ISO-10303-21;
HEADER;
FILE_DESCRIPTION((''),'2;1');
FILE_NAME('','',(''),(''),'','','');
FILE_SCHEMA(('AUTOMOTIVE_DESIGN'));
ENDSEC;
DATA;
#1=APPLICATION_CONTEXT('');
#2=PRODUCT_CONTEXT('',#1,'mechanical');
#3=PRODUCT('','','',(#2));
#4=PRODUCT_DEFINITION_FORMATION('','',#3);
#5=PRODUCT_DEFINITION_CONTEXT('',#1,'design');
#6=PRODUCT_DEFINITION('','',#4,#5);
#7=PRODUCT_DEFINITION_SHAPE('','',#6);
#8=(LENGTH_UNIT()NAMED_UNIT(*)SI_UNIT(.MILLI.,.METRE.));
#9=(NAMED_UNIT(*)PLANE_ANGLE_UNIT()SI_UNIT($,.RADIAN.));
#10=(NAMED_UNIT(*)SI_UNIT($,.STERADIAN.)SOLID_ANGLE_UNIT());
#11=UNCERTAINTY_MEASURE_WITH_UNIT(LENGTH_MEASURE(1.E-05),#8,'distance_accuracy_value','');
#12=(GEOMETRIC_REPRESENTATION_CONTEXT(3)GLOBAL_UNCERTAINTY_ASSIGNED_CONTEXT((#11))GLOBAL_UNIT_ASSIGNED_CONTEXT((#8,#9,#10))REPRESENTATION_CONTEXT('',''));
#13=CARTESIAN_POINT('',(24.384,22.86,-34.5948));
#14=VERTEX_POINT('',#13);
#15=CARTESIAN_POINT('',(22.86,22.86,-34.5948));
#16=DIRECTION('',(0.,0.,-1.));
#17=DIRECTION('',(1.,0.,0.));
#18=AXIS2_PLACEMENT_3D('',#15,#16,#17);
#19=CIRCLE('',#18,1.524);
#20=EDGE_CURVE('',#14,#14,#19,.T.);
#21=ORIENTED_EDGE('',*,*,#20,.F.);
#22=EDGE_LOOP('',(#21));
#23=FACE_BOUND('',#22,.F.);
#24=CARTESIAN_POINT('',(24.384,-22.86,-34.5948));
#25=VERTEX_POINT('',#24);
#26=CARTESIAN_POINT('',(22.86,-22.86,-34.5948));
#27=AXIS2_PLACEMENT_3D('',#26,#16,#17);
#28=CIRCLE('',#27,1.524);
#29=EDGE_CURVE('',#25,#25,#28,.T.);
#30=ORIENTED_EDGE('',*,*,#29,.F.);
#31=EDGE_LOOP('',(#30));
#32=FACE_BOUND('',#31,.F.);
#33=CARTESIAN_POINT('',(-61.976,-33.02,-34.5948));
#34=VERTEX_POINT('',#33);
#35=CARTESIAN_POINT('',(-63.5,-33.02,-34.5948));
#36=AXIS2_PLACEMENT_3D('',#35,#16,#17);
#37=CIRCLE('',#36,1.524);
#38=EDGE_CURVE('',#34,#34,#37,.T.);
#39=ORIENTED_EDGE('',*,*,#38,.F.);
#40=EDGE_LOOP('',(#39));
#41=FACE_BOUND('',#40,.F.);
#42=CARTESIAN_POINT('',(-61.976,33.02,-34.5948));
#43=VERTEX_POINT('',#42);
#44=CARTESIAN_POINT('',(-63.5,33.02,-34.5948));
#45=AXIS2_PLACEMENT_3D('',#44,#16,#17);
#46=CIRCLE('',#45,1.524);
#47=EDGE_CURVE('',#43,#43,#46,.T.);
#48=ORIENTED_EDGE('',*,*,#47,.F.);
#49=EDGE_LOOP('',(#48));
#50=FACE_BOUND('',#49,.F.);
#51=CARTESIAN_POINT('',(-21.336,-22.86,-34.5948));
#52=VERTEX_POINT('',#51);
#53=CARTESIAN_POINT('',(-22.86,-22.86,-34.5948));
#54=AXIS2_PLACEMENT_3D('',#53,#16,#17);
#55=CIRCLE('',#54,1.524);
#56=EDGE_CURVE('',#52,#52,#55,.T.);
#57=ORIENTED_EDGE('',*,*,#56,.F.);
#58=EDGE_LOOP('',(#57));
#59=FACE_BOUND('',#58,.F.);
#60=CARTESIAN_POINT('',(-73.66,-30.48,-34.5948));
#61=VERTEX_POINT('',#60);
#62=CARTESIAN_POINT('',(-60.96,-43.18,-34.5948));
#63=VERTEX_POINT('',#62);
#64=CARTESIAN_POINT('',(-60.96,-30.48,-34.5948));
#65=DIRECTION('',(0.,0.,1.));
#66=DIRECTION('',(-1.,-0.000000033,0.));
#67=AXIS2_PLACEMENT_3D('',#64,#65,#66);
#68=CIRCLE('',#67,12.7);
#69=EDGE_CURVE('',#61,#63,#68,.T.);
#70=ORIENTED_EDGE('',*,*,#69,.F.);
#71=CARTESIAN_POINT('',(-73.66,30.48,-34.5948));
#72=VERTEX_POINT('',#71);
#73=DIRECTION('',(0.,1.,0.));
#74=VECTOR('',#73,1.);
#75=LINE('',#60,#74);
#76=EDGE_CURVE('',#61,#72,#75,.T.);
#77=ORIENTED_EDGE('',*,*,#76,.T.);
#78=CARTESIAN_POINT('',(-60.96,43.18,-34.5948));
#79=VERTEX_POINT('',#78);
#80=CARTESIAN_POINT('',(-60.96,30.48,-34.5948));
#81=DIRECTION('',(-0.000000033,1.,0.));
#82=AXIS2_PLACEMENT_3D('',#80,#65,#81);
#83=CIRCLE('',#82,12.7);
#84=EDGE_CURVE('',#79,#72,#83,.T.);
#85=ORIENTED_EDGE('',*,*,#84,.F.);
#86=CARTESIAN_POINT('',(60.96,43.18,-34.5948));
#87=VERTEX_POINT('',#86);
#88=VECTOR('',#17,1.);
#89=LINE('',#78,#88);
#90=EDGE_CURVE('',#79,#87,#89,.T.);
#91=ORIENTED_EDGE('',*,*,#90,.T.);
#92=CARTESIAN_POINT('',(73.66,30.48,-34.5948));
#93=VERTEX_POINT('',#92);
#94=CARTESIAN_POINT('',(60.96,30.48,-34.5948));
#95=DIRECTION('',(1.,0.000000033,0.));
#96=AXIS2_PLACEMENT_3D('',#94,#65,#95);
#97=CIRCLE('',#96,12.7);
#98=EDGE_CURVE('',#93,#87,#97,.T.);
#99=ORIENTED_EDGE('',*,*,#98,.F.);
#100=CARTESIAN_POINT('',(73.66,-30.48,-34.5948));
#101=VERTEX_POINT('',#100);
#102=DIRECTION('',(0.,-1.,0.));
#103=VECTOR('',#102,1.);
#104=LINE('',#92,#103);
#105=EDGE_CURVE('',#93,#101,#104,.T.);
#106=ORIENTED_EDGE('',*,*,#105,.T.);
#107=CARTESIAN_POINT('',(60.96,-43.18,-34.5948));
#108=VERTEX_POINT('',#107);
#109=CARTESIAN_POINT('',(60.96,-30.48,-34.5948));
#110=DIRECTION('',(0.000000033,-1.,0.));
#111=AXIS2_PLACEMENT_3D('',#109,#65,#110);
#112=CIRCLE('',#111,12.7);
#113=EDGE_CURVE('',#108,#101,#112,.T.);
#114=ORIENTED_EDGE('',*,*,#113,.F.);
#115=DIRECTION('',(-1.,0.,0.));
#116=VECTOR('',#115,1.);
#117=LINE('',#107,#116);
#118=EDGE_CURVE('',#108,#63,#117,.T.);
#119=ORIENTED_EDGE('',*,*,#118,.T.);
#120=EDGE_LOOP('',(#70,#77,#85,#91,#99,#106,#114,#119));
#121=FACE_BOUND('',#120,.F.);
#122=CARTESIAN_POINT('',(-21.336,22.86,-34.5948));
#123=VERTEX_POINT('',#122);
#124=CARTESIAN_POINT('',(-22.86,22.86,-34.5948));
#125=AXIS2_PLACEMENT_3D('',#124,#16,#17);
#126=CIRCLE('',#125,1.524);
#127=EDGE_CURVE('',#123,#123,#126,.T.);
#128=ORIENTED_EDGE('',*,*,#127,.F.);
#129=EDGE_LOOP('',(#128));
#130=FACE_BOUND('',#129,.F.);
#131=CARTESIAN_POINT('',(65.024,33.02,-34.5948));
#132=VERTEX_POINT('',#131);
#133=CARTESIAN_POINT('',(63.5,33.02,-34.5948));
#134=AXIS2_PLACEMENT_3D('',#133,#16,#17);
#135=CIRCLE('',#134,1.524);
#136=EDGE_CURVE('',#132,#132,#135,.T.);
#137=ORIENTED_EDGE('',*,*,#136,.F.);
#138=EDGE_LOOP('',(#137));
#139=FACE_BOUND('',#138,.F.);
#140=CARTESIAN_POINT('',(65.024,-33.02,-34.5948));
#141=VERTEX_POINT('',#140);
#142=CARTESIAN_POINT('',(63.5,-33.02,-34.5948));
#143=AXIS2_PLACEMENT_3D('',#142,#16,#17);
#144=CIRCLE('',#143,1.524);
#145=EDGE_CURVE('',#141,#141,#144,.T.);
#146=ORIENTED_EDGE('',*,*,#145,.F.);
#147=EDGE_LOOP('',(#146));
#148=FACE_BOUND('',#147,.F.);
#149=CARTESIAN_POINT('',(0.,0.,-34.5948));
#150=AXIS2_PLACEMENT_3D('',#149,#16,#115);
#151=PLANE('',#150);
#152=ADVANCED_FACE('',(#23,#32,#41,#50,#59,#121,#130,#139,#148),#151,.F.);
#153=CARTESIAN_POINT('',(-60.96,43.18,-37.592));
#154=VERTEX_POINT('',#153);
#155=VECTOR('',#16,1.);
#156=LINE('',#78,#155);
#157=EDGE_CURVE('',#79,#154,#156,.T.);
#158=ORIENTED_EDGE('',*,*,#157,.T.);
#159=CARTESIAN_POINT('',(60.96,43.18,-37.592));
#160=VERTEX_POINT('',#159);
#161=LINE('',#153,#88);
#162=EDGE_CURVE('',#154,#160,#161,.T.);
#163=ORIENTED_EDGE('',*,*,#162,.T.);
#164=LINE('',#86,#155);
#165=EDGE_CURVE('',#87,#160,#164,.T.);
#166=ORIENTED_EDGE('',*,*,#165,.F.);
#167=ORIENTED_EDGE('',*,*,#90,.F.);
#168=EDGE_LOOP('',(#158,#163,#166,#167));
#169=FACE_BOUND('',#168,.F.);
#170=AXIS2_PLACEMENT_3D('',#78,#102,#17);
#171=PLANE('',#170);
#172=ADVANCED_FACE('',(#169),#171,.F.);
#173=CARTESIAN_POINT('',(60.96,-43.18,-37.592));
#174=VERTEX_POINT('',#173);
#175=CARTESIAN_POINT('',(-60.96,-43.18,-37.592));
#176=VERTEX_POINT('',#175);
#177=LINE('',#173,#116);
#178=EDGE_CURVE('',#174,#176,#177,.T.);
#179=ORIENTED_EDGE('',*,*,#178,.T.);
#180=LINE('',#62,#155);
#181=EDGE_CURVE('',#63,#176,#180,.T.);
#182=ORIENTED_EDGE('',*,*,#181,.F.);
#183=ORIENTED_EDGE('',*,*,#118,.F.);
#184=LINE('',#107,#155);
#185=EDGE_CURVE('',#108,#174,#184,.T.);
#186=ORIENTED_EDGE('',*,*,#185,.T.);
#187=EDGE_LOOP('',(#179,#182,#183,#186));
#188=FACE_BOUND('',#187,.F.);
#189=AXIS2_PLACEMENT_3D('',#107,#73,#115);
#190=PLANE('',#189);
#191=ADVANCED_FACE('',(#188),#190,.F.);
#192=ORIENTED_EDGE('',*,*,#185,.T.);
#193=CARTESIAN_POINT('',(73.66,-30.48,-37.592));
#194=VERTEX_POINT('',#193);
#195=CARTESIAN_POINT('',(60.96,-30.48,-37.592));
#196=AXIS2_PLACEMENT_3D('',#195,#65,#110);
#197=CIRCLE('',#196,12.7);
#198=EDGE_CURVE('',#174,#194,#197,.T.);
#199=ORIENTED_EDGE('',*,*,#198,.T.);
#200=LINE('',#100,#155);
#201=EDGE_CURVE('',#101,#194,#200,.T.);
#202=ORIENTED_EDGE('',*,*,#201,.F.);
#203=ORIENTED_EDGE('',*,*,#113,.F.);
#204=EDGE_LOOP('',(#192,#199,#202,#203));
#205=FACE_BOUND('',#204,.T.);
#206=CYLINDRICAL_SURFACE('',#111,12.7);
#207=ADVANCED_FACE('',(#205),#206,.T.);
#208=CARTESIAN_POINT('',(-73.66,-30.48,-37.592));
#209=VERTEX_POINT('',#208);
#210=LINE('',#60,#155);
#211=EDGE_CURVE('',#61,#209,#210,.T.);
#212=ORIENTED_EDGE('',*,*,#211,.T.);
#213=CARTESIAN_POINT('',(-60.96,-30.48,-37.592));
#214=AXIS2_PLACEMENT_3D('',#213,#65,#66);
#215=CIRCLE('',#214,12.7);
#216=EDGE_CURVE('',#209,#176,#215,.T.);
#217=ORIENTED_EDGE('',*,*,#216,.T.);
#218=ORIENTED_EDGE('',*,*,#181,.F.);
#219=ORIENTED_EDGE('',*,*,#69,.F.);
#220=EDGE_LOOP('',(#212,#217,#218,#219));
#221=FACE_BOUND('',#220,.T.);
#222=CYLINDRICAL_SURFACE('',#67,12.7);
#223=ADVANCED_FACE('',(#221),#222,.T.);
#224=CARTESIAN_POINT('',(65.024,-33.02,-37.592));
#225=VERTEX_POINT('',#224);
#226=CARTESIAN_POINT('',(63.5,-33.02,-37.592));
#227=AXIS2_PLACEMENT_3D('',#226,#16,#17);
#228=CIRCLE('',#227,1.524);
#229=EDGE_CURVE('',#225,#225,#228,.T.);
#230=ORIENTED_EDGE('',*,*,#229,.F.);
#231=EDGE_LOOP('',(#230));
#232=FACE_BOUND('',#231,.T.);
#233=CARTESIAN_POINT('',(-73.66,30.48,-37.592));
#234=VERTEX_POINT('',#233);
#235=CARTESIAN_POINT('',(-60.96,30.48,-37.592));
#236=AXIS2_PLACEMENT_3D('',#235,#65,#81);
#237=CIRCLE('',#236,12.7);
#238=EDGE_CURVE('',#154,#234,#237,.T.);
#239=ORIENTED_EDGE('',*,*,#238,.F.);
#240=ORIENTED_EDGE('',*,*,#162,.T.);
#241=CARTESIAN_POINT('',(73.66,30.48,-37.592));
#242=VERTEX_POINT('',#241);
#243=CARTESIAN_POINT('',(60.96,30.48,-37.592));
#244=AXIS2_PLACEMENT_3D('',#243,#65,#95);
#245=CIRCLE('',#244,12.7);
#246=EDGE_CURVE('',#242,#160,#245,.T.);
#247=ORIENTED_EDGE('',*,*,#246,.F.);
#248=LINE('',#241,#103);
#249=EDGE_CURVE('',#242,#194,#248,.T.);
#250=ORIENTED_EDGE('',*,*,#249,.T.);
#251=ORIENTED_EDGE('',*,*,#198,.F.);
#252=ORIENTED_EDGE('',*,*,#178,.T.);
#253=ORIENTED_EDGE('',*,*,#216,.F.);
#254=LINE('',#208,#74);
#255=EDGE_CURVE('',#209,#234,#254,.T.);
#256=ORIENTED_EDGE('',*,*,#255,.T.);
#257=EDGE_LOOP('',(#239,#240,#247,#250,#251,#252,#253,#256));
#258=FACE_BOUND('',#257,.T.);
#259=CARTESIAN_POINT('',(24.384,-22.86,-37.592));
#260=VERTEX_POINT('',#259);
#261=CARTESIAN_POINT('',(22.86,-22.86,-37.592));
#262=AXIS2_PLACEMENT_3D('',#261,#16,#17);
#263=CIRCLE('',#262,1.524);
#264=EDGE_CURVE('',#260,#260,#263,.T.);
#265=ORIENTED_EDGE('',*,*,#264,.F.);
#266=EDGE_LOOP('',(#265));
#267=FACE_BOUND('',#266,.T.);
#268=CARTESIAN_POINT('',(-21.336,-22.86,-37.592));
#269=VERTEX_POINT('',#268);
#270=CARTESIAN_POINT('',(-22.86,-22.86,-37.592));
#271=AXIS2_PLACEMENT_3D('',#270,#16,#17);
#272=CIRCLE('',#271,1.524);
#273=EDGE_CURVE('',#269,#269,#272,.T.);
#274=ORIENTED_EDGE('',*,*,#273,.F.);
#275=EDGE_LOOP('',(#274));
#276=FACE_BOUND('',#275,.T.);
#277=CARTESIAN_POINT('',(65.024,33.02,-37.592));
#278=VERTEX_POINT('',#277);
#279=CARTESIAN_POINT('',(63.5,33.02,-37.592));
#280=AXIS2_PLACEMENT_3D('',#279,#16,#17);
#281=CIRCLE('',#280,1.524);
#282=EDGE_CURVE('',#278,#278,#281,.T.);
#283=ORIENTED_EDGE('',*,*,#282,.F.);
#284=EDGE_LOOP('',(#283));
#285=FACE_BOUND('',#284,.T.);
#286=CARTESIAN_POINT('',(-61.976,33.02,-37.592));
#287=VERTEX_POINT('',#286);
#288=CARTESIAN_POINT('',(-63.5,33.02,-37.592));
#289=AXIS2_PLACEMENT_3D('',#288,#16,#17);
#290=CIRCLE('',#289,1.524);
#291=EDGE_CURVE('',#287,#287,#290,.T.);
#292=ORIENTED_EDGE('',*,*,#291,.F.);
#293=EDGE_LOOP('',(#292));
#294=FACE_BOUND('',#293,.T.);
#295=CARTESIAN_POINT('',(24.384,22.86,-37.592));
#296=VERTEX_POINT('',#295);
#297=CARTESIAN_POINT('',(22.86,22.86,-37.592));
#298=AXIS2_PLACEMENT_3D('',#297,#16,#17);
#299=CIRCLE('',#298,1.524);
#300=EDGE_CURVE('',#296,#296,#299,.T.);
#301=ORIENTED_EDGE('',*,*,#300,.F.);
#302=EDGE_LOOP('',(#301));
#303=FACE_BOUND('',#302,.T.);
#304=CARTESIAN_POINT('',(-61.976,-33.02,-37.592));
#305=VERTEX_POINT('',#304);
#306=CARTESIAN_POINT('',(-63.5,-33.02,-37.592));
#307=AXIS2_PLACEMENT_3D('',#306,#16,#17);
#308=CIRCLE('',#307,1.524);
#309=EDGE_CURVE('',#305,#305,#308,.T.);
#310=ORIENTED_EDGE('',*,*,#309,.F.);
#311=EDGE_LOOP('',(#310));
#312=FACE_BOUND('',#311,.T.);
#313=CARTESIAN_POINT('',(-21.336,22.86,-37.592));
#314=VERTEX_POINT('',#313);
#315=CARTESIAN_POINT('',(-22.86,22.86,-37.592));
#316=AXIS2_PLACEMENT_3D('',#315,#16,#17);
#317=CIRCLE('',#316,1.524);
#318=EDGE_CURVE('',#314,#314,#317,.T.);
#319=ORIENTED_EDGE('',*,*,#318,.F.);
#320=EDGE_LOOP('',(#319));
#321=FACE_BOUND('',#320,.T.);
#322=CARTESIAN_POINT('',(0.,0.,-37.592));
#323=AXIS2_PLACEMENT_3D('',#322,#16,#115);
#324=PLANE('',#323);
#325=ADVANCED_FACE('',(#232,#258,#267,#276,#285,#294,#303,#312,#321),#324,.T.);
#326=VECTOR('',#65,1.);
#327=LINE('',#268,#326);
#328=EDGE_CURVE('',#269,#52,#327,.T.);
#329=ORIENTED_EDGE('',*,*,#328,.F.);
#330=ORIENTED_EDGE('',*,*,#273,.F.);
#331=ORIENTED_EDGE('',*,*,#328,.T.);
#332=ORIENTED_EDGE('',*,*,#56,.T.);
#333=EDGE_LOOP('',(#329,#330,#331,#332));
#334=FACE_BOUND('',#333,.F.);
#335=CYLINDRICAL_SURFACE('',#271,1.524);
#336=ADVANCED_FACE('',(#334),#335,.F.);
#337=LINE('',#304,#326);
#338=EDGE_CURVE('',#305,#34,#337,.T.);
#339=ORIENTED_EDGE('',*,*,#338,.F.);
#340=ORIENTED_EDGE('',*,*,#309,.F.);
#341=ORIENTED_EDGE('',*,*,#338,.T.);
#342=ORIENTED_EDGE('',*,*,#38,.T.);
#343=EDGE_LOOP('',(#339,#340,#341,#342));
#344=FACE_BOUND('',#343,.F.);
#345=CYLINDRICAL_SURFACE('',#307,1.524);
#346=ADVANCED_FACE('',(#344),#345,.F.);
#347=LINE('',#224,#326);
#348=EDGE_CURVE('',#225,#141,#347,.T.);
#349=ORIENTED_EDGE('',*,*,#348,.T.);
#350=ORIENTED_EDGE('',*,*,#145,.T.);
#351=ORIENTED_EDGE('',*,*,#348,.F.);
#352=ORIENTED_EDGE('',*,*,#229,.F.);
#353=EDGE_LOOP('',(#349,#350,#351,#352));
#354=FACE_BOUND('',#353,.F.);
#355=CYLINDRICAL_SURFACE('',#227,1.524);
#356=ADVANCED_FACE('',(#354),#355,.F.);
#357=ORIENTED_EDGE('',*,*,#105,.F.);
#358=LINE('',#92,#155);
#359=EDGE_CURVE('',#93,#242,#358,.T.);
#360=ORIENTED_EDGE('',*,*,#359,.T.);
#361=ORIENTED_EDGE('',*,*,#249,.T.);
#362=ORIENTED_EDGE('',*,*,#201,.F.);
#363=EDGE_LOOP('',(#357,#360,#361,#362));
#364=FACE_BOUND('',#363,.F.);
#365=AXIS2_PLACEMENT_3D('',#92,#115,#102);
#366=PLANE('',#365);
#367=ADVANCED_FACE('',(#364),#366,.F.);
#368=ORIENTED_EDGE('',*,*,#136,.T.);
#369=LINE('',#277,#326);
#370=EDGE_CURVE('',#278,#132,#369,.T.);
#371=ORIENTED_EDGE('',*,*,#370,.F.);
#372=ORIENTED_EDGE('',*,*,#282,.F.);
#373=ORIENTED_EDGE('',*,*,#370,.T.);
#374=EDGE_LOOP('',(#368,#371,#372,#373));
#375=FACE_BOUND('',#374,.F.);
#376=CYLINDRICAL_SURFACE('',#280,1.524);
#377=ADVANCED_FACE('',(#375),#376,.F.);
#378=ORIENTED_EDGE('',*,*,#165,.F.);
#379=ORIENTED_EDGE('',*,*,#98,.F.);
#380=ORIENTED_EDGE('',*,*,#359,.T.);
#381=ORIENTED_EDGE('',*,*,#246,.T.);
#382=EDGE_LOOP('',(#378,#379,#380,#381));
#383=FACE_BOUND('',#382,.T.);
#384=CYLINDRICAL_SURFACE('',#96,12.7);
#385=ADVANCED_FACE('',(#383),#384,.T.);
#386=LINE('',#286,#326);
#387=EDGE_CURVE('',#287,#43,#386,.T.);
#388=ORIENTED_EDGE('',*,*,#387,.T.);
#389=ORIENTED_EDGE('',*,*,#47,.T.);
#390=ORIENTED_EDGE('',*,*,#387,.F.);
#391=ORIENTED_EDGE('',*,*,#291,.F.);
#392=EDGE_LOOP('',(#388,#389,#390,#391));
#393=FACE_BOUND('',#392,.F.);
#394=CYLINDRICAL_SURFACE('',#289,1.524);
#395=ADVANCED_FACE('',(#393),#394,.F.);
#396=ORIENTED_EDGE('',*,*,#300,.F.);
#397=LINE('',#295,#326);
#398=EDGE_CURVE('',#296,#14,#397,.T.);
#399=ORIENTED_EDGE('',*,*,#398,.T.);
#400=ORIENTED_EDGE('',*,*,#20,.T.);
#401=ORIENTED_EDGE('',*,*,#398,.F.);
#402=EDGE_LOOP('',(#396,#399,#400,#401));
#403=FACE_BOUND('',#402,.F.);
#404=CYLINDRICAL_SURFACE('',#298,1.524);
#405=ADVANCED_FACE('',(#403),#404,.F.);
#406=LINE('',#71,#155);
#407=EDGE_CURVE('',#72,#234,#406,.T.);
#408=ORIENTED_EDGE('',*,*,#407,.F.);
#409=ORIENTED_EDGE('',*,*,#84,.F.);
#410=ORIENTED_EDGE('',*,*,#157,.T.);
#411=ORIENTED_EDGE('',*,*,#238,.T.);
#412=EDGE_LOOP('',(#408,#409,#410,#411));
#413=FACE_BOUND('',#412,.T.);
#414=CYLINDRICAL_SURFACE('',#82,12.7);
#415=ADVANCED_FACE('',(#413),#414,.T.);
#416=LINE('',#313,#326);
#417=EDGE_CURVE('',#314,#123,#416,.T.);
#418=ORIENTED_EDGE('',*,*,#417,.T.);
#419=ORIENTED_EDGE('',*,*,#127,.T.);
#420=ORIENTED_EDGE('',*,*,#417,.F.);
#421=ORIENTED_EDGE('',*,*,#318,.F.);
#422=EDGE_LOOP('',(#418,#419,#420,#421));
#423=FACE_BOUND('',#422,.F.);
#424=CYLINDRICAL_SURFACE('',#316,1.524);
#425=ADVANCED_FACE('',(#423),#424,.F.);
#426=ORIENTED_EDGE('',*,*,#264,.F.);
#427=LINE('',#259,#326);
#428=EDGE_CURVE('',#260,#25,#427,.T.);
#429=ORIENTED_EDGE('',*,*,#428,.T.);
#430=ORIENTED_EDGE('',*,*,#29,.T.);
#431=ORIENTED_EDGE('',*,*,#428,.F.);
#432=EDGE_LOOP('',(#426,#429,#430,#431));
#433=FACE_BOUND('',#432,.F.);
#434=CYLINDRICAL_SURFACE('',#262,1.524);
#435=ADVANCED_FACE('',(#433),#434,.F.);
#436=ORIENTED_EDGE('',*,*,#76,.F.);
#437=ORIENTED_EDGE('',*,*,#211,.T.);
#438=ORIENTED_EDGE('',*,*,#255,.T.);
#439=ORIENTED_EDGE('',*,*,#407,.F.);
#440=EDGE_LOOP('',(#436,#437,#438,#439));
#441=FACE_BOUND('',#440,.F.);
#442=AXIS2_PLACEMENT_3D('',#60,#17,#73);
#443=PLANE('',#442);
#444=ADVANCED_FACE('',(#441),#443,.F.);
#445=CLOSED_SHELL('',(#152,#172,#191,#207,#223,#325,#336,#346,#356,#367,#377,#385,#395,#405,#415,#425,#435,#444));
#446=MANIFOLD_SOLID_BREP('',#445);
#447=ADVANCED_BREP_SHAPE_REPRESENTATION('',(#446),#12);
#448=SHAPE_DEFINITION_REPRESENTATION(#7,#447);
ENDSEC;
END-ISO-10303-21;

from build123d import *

# Parameters (mm, degrees)
PAD015_DEPTH    = 2.9972
SKETCH022_R     = 1.524
POCKET002_DEPTH = 2.9972
SKETCH023_R     = 1.524
POCKET003_DEPTH = 2.9972


with BuildPart() as part:
    # Sketch018 → Pad015 (new body)
    with BuildSketch(Plane.XY.offset(-34.5948)):
        with BuildLine():
            Line((-60.96, 43.18), (60.96, 43.18))
            ThreePointArc((73.66, 30.48), (69.940256, 39.460256), (60.96, 43.18))
            Line((73.66, 30.48), (73.66, -30.48))
            ThreePointArc((60.96, -43.18), (69.940256, -39.460256), (73.66, -30.48))
            Line((60.96, -43.18), (-60.96, -43.18))
            ThreePointArc((-73.66, -30.48), (-69.940256, -39.460256), (-60.96, -43.18))
            Line((-73.66, -30.48), (-73.66, 30.48))
            ThreePointArc((-60.96, 43.18), (-69.940256, 39.460256), (-73.66, 30.48))
        make_face()
    extrude(amount=-PAD015_DEPTH)

    # Sketch022 → Pocket002 (cut)
    with BuildSketch(Plane(origin=(0, 0, -37.592), x_dir=(1, 0, 0), z_dir=(0, 0, -1))):
        with Locations((-63.5, 33.02)):
            Circle(SKETCH022_R)
        with Locations((-63.5, -33.02)):
            Circle(SKETCH022_R)
        with Locations((63.5, -33.02)):
            Circle(SKETCH022_R)
        with Locations((63.5, 33.02)):
            Circle(SKETCH022_R)
    extrude(amount=-POCKET002_DEPTH, mode=Mode.SUBTRACT)

    # Sketch023 → Pocket003 (cut)
    with BuildSketch(Plane(origin=(0, 0, -37.592), x_dir=(1, 0, 0), z_dir=(0, 0, -1))):
        with Locations((-22.86, 22.86)):
            Circle(SKETCH023_R)
        with Locations((-22.86, -22.86)):
            Circle(SKETCH023_R)
        with Locations((22.86, -22.86)):
            Circle(SKETCH023_R)
        with Locations((22.86, 22.86)):
            Circle(SKETCH023_R)
    extrude(amount=-POCKET003_DEPTH, mode=Mode.SUBTRACT)


solid = part.part
